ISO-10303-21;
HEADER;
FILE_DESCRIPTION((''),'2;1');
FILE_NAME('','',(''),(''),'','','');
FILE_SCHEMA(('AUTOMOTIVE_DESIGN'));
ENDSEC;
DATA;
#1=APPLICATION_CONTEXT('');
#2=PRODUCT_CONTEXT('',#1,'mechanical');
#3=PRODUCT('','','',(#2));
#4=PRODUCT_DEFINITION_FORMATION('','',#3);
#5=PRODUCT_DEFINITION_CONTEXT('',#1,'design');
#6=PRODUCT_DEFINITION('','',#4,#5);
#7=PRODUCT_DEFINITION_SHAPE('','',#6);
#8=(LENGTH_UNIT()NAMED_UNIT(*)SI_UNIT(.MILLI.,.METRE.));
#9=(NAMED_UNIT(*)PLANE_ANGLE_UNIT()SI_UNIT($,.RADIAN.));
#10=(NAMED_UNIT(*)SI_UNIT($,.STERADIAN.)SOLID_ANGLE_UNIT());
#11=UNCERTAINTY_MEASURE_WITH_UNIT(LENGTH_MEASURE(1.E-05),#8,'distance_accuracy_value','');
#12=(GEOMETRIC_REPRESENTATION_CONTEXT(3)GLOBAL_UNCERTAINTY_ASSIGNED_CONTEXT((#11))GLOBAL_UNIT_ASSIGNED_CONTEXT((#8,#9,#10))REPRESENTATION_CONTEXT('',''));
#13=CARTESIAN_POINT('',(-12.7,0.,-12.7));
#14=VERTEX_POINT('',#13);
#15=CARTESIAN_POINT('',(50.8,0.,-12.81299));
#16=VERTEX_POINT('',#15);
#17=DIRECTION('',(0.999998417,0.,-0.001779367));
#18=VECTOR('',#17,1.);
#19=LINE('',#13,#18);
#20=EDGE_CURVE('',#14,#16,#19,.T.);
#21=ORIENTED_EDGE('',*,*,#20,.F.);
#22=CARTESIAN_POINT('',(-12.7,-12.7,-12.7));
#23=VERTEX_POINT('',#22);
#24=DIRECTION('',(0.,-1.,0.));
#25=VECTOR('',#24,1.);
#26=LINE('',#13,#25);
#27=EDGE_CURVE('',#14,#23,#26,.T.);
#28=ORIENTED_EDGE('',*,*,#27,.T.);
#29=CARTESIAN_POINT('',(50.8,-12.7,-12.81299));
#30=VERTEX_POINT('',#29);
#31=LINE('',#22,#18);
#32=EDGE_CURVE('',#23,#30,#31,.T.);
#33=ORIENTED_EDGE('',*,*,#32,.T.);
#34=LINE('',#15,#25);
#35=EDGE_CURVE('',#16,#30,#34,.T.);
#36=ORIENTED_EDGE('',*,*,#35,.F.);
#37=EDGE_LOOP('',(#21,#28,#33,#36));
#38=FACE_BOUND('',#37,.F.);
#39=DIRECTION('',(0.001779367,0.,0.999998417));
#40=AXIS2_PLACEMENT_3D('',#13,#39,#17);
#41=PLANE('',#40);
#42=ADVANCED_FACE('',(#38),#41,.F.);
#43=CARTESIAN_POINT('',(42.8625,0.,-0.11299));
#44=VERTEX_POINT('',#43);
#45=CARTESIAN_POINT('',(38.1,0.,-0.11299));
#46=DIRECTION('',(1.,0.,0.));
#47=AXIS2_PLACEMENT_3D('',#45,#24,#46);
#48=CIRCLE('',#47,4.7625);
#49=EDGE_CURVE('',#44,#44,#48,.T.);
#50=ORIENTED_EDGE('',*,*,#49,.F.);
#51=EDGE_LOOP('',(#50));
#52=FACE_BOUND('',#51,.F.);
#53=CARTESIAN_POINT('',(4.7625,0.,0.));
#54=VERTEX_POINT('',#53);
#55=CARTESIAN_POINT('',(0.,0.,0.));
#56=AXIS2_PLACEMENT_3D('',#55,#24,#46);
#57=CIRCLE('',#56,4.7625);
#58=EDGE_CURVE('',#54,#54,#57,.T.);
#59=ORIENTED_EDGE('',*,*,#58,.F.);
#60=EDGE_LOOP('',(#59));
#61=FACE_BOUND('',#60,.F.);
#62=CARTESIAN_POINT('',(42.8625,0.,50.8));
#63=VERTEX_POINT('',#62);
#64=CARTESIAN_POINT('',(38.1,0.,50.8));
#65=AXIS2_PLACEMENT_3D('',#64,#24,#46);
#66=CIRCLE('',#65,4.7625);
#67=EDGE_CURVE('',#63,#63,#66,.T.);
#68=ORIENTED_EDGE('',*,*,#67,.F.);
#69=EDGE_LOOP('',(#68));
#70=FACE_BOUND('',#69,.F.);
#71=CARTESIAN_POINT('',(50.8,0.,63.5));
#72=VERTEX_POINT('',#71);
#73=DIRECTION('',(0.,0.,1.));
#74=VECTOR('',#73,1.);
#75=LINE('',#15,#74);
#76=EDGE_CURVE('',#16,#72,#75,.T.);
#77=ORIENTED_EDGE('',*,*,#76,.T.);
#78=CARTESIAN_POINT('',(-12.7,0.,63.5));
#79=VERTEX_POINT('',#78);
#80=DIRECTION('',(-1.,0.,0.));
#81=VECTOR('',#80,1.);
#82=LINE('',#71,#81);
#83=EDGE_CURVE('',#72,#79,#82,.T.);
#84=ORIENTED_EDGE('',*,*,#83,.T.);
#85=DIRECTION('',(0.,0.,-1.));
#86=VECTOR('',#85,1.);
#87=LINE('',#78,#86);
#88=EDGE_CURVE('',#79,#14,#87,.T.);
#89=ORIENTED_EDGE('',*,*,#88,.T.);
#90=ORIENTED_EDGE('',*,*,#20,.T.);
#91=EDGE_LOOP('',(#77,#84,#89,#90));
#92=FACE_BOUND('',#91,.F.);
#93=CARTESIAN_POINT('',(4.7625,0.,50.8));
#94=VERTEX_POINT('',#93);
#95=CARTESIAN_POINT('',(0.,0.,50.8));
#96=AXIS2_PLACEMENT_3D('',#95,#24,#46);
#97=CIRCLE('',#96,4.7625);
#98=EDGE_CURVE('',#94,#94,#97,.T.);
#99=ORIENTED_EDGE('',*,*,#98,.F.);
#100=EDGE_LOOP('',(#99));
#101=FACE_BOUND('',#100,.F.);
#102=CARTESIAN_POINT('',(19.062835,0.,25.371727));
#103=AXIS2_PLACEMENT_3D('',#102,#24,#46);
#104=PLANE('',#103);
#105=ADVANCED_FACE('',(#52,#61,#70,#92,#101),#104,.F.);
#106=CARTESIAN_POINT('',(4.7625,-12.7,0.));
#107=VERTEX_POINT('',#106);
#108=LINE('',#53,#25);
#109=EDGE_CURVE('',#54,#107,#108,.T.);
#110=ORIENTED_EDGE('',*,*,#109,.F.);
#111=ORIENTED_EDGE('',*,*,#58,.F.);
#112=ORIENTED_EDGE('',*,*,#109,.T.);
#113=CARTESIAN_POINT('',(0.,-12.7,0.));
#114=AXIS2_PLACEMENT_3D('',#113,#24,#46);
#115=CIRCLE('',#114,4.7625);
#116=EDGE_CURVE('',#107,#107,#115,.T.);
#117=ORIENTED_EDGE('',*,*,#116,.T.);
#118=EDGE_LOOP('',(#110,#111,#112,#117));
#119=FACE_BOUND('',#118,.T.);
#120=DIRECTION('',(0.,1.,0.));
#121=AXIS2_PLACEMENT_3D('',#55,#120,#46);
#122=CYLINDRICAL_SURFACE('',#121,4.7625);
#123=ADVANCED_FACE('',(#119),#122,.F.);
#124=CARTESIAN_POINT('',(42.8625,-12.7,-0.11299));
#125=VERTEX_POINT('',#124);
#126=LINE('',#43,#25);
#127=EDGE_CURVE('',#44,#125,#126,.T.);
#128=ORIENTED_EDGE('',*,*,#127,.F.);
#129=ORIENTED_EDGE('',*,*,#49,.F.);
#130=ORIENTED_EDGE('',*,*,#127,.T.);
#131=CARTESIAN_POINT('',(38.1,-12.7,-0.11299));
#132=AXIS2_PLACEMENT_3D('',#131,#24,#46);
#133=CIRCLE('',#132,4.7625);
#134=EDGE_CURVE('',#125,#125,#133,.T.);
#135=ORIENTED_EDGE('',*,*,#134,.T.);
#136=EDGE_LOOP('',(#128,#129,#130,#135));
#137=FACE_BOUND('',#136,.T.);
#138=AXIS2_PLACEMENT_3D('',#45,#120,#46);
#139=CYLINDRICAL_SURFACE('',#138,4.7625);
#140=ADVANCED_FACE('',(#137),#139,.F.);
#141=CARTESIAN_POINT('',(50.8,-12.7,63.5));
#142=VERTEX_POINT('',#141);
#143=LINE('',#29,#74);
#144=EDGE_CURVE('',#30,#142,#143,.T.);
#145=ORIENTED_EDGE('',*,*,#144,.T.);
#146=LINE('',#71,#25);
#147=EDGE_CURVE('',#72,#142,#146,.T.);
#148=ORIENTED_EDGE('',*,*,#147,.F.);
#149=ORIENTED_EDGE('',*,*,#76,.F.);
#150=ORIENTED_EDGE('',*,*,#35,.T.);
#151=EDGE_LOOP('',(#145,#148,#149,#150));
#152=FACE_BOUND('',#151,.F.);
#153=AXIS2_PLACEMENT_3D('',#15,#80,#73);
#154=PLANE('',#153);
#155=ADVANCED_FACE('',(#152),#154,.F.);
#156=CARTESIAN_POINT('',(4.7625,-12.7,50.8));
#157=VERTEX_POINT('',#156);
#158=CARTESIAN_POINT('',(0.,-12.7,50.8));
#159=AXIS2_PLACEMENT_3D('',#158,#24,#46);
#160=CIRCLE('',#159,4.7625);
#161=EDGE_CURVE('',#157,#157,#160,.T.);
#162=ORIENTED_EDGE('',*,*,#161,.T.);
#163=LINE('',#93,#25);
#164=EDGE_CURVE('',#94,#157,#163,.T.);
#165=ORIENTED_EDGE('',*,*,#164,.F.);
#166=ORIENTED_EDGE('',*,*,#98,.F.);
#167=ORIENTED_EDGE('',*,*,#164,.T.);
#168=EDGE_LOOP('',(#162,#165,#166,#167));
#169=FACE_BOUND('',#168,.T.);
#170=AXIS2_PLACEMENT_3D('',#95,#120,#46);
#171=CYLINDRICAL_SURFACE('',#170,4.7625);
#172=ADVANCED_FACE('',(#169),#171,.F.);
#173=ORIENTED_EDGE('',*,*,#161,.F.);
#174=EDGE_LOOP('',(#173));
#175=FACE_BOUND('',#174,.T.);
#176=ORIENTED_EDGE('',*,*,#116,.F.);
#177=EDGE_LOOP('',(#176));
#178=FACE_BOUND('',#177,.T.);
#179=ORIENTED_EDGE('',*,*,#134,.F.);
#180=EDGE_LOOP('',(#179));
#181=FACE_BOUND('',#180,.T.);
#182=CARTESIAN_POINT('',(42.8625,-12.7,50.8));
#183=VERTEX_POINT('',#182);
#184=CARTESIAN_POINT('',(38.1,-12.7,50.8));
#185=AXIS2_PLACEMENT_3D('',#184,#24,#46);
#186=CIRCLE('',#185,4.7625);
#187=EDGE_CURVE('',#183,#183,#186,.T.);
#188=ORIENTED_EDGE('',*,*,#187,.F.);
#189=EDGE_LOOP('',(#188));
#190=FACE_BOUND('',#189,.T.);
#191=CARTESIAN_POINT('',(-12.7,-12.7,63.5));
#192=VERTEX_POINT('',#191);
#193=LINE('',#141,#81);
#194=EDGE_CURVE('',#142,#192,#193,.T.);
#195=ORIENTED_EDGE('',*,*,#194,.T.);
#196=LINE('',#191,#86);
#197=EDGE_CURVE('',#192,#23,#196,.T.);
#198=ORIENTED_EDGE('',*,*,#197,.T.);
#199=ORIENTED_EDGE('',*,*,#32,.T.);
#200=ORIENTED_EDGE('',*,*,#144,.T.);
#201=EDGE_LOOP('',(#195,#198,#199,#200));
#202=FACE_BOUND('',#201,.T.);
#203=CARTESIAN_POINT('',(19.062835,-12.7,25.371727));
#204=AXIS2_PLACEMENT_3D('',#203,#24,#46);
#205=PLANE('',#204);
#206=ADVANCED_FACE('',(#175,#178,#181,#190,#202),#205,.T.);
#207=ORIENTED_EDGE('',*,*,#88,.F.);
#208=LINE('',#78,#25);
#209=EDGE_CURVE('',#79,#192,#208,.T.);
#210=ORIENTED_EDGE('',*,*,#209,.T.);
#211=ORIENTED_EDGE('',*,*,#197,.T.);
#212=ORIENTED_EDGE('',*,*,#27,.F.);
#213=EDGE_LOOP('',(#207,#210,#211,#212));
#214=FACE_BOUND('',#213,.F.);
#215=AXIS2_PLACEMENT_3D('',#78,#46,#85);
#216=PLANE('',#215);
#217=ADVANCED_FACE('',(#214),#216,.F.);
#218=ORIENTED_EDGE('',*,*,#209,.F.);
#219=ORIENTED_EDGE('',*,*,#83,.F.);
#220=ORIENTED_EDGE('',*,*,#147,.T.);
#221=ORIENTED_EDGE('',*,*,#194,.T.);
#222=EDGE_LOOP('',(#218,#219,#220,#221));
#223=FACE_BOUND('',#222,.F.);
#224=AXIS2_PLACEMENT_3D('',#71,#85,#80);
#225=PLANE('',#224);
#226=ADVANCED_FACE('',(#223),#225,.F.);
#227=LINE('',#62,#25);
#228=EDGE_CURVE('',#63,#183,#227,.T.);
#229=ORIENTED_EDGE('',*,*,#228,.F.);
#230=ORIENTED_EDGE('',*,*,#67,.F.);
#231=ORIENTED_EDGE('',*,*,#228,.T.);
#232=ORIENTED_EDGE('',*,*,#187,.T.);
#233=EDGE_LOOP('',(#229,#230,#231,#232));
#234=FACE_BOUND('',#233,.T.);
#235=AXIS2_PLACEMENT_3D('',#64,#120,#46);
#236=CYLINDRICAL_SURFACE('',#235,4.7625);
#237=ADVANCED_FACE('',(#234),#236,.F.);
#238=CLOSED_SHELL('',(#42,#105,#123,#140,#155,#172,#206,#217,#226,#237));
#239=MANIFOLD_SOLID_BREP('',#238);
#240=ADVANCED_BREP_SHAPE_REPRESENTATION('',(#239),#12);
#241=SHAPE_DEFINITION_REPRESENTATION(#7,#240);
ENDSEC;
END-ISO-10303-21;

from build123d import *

# Parameters (mm, degrees)
F0_R     = 4.7625
F1_DEPTH = 12.7


with BuildPart() as f1:
    # F0 (on Front) → F1 (new body)
    with BuildSketch(Plane.XZ):
        Polygon((-12.7, -12.7), (50.8, -12.81299), (50.8, 63.5), (-12.7, 63.5), align=None)
        Circle(F0_R, mode=Mode.SUBTRACT)
        with Locations((38.1, -0.11299)):
            Circle(F0_R, mode=Mode.SUBTRACT)
        with Locations((0, 50.8)):
            Circle(F0_R, mode=Mode.SUBTRACT)
        with Locations((38.1, 50.8)):
            Circle(F0_R, mode=Mode.SUBTRACT)
    extrude(amount=F1_DEPTH)


solid = f1.part
